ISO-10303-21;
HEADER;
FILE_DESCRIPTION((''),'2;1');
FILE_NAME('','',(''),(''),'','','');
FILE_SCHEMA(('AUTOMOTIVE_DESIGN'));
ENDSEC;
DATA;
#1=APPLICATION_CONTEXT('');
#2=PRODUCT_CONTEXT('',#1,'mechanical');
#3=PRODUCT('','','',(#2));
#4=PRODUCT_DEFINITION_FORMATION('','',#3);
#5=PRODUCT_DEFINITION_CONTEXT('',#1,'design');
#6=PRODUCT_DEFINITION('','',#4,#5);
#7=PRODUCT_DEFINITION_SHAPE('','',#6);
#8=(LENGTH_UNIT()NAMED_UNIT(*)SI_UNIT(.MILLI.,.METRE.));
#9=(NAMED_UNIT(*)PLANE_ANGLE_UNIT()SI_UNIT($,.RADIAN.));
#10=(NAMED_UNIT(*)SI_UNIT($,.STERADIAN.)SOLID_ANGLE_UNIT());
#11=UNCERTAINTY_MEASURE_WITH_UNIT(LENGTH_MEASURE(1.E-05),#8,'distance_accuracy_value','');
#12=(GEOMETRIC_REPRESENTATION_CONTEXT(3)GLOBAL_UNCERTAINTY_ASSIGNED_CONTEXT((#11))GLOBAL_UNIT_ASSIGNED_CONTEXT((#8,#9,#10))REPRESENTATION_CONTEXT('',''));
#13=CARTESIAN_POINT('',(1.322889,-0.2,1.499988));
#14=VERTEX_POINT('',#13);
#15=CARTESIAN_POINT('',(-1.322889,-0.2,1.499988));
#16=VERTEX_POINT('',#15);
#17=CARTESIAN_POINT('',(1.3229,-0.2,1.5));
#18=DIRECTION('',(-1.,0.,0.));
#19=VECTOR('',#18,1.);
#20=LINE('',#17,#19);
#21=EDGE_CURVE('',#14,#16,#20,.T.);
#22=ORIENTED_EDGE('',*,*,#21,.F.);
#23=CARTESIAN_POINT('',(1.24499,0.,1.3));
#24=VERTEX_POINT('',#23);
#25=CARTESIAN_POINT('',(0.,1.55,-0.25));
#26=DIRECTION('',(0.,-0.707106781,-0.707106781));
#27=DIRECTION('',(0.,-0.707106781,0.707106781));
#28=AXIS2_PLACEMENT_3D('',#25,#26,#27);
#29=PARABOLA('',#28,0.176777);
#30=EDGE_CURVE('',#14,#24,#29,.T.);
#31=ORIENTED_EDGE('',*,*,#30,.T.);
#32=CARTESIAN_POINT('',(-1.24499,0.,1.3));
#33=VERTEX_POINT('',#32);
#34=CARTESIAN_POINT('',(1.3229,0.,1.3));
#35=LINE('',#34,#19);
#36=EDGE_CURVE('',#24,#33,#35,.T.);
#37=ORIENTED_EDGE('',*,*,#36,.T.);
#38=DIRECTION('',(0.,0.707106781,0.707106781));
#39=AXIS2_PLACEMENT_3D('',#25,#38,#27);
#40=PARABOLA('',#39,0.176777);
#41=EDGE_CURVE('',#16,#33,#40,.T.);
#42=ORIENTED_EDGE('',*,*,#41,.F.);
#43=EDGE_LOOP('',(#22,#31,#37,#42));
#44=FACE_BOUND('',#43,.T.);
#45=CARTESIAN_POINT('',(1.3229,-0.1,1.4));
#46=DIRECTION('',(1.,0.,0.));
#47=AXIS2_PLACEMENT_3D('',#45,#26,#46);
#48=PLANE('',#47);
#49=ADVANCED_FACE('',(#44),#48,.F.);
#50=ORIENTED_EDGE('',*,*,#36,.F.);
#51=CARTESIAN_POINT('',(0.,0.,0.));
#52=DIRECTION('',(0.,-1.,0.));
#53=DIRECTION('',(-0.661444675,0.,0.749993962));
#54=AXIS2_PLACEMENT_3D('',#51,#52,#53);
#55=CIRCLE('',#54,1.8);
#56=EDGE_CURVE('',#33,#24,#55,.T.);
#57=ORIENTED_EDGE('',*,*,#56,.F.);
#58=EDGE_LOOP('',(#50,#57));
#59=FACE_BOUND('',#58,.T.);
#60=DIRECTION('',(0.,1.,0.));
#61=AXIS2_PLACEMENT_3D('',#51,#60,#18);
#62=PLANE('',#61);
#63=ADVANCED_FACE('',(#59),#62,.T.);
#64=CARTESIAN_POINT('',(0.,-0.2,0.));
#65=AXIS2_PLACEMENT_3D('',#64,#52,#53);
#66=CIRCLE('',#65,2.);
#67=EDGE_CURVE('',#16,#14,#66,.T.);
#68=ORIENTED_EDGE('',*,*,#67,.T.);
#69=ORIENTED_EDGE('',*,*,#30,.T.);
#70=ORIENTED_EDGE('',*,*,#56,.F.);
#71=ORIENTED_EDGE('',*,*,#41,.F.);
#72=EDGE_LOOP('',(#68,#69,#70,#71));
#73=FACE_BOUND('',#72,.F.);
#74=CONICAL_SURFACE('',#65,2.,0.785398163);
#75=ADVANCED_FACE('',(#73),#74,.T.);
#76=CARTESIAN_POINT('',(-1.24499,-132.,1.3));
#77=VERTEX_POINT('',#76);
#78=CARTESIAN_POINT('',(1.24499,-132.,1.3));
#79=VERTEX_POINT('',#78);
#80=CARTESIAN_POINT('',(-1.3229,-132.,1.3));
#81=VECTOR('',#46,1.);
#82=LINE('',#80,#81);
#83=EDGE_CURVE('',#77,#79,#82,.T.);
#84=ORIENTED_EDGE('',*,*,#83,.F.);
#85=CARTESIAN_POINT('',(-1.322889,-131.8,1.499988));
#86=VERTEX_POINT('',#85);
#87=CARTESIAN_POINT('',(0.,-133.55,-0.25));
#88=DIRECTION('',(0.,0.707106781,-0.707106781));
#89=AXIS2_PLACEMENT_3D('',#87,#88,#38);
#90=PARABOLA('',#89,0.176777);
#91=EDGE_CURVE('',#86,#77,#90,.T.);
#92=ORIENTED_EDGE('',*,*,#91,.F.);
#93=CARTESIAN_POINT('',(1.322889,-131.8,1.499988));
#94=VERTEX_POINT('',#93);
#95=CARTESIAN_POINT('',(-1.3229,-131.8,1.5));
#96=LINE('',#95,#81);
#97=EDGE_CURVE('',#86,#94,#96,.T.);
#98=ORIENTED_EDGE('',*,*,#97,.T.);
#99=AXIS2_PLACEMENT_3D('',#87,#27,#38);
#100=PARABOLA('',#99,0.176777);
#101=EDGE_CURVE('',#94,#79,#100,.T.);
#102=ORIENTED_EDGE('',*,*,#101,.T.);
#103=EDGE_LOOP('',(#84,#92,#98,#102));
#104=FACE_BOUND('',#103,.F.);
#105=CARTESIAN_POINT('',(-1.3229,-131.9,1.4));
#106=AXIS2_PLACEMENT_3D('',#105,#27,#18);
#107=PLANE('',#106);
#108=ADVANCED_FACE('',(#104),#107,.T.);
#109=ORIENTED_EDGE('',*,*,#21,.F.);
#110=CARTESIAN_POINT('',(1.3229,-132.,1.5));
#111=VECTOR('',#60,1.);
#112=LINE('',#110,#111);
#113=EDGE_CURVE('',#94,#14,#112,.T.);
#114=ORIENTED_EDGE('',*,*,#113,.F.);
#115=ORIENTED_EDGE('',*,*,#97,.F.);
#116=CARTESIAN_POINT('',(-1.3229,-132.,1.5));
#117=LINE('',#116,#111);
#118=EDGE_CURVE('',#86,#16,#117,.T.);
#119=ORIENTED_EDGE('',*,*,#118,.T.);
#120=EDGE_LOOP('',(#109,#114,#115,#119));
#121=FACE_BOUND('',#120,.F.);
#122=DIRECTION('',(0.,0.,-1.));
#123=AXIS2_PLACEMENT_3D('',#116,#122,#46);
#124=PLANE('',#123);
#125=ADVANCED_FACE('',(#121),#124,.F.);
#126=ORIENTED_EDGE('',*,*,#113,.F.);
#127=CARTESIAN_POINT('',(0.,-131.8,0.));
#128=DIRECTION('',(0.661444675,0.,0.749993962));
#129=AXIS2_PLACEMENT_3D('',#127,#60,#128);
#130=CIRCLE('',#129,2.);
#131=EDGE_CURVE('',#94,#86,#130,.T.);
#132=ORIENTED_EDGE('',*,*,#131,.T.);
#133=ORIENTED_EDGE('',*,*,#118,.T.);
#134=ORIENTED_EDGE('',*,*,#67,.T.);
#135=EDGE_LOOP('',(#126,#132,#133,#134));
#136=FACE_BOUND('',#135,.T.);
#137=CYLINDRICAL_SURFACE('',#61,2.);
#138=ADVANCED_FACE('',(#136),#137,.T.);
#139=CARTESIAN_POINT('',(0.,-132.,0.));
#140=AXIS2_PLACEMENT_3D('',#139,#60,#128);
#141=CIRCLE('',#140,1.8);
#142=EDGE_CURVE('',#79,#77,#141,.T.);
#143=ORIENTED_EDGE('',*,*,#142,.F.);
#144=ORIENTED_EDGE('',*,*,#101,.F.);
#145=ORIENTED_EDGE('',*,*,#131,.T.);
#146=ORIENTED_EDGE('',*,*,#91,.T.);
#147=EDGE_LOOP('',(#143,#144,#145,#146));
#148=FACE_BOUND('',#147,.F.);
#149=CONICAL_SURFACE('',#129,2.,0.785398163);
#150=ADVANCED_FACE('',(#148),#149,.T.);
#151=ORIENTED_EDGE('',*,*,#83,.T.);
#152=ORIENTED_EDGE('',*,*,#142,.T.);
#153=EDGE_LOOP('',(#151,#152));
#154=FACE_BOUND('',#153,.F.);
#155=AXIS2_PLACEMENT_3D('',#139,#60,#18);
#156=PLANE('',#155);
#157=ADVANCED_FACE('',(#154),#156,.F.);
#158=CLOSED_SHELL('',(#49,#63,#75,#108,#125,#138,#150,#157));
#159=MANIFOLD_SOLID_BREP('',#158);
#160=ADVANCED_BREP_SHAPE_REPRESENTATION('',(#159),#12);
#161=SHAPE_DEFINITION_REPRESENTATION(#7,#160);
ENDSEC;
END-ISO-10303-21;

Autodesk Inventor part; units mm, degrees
ref_plane "YZ Plane" through (0, 0, 0) normal (1, 0, 0) x (0, 1, 0)
ref_plane "XZ Plane" through (0, 0, 0) normal (0, 1, 0) x (-1, 0, 0)
ref_plane "XY Plane" through (0, 0, 0) normal (0, 0, 1) x (1, 0, 0)
sketch "Sketch1" plane through (0, 0, 0) normal (0, 1, 0) x (-1, 0, 0)
  circle A0 centre (0, 0) radius 2
  dimension "d0" = 4
extrude "Extrusion1" add sketch "Sketch1" against normal blind 132
sketch "Sketch2" plane through (0, -132, 0) normal (0, -1, 0) x (1, 0, 0)
  circle A0 centre (0, 0) radius 2 projected
  line L0 (-1.3229, 1.5) -> (1.3229, 1.5)
  circle A1 centre (0, 0) radius 2 projected
  dimension "d3" = 0.5
extrude "Extrusion2" cut sketch "Sketch2" against normal through all contours L0 A0 picked at (-0.3089, 1.5908)
chamfer "Chamfer1" distance 0.2 angle 45 4 edges at (0, -132, -2) (0, -132, 1.5) (0, 0, -2) (0, 0, 1.5)
properties part number "10-0132" material "Aluminum 6061"
